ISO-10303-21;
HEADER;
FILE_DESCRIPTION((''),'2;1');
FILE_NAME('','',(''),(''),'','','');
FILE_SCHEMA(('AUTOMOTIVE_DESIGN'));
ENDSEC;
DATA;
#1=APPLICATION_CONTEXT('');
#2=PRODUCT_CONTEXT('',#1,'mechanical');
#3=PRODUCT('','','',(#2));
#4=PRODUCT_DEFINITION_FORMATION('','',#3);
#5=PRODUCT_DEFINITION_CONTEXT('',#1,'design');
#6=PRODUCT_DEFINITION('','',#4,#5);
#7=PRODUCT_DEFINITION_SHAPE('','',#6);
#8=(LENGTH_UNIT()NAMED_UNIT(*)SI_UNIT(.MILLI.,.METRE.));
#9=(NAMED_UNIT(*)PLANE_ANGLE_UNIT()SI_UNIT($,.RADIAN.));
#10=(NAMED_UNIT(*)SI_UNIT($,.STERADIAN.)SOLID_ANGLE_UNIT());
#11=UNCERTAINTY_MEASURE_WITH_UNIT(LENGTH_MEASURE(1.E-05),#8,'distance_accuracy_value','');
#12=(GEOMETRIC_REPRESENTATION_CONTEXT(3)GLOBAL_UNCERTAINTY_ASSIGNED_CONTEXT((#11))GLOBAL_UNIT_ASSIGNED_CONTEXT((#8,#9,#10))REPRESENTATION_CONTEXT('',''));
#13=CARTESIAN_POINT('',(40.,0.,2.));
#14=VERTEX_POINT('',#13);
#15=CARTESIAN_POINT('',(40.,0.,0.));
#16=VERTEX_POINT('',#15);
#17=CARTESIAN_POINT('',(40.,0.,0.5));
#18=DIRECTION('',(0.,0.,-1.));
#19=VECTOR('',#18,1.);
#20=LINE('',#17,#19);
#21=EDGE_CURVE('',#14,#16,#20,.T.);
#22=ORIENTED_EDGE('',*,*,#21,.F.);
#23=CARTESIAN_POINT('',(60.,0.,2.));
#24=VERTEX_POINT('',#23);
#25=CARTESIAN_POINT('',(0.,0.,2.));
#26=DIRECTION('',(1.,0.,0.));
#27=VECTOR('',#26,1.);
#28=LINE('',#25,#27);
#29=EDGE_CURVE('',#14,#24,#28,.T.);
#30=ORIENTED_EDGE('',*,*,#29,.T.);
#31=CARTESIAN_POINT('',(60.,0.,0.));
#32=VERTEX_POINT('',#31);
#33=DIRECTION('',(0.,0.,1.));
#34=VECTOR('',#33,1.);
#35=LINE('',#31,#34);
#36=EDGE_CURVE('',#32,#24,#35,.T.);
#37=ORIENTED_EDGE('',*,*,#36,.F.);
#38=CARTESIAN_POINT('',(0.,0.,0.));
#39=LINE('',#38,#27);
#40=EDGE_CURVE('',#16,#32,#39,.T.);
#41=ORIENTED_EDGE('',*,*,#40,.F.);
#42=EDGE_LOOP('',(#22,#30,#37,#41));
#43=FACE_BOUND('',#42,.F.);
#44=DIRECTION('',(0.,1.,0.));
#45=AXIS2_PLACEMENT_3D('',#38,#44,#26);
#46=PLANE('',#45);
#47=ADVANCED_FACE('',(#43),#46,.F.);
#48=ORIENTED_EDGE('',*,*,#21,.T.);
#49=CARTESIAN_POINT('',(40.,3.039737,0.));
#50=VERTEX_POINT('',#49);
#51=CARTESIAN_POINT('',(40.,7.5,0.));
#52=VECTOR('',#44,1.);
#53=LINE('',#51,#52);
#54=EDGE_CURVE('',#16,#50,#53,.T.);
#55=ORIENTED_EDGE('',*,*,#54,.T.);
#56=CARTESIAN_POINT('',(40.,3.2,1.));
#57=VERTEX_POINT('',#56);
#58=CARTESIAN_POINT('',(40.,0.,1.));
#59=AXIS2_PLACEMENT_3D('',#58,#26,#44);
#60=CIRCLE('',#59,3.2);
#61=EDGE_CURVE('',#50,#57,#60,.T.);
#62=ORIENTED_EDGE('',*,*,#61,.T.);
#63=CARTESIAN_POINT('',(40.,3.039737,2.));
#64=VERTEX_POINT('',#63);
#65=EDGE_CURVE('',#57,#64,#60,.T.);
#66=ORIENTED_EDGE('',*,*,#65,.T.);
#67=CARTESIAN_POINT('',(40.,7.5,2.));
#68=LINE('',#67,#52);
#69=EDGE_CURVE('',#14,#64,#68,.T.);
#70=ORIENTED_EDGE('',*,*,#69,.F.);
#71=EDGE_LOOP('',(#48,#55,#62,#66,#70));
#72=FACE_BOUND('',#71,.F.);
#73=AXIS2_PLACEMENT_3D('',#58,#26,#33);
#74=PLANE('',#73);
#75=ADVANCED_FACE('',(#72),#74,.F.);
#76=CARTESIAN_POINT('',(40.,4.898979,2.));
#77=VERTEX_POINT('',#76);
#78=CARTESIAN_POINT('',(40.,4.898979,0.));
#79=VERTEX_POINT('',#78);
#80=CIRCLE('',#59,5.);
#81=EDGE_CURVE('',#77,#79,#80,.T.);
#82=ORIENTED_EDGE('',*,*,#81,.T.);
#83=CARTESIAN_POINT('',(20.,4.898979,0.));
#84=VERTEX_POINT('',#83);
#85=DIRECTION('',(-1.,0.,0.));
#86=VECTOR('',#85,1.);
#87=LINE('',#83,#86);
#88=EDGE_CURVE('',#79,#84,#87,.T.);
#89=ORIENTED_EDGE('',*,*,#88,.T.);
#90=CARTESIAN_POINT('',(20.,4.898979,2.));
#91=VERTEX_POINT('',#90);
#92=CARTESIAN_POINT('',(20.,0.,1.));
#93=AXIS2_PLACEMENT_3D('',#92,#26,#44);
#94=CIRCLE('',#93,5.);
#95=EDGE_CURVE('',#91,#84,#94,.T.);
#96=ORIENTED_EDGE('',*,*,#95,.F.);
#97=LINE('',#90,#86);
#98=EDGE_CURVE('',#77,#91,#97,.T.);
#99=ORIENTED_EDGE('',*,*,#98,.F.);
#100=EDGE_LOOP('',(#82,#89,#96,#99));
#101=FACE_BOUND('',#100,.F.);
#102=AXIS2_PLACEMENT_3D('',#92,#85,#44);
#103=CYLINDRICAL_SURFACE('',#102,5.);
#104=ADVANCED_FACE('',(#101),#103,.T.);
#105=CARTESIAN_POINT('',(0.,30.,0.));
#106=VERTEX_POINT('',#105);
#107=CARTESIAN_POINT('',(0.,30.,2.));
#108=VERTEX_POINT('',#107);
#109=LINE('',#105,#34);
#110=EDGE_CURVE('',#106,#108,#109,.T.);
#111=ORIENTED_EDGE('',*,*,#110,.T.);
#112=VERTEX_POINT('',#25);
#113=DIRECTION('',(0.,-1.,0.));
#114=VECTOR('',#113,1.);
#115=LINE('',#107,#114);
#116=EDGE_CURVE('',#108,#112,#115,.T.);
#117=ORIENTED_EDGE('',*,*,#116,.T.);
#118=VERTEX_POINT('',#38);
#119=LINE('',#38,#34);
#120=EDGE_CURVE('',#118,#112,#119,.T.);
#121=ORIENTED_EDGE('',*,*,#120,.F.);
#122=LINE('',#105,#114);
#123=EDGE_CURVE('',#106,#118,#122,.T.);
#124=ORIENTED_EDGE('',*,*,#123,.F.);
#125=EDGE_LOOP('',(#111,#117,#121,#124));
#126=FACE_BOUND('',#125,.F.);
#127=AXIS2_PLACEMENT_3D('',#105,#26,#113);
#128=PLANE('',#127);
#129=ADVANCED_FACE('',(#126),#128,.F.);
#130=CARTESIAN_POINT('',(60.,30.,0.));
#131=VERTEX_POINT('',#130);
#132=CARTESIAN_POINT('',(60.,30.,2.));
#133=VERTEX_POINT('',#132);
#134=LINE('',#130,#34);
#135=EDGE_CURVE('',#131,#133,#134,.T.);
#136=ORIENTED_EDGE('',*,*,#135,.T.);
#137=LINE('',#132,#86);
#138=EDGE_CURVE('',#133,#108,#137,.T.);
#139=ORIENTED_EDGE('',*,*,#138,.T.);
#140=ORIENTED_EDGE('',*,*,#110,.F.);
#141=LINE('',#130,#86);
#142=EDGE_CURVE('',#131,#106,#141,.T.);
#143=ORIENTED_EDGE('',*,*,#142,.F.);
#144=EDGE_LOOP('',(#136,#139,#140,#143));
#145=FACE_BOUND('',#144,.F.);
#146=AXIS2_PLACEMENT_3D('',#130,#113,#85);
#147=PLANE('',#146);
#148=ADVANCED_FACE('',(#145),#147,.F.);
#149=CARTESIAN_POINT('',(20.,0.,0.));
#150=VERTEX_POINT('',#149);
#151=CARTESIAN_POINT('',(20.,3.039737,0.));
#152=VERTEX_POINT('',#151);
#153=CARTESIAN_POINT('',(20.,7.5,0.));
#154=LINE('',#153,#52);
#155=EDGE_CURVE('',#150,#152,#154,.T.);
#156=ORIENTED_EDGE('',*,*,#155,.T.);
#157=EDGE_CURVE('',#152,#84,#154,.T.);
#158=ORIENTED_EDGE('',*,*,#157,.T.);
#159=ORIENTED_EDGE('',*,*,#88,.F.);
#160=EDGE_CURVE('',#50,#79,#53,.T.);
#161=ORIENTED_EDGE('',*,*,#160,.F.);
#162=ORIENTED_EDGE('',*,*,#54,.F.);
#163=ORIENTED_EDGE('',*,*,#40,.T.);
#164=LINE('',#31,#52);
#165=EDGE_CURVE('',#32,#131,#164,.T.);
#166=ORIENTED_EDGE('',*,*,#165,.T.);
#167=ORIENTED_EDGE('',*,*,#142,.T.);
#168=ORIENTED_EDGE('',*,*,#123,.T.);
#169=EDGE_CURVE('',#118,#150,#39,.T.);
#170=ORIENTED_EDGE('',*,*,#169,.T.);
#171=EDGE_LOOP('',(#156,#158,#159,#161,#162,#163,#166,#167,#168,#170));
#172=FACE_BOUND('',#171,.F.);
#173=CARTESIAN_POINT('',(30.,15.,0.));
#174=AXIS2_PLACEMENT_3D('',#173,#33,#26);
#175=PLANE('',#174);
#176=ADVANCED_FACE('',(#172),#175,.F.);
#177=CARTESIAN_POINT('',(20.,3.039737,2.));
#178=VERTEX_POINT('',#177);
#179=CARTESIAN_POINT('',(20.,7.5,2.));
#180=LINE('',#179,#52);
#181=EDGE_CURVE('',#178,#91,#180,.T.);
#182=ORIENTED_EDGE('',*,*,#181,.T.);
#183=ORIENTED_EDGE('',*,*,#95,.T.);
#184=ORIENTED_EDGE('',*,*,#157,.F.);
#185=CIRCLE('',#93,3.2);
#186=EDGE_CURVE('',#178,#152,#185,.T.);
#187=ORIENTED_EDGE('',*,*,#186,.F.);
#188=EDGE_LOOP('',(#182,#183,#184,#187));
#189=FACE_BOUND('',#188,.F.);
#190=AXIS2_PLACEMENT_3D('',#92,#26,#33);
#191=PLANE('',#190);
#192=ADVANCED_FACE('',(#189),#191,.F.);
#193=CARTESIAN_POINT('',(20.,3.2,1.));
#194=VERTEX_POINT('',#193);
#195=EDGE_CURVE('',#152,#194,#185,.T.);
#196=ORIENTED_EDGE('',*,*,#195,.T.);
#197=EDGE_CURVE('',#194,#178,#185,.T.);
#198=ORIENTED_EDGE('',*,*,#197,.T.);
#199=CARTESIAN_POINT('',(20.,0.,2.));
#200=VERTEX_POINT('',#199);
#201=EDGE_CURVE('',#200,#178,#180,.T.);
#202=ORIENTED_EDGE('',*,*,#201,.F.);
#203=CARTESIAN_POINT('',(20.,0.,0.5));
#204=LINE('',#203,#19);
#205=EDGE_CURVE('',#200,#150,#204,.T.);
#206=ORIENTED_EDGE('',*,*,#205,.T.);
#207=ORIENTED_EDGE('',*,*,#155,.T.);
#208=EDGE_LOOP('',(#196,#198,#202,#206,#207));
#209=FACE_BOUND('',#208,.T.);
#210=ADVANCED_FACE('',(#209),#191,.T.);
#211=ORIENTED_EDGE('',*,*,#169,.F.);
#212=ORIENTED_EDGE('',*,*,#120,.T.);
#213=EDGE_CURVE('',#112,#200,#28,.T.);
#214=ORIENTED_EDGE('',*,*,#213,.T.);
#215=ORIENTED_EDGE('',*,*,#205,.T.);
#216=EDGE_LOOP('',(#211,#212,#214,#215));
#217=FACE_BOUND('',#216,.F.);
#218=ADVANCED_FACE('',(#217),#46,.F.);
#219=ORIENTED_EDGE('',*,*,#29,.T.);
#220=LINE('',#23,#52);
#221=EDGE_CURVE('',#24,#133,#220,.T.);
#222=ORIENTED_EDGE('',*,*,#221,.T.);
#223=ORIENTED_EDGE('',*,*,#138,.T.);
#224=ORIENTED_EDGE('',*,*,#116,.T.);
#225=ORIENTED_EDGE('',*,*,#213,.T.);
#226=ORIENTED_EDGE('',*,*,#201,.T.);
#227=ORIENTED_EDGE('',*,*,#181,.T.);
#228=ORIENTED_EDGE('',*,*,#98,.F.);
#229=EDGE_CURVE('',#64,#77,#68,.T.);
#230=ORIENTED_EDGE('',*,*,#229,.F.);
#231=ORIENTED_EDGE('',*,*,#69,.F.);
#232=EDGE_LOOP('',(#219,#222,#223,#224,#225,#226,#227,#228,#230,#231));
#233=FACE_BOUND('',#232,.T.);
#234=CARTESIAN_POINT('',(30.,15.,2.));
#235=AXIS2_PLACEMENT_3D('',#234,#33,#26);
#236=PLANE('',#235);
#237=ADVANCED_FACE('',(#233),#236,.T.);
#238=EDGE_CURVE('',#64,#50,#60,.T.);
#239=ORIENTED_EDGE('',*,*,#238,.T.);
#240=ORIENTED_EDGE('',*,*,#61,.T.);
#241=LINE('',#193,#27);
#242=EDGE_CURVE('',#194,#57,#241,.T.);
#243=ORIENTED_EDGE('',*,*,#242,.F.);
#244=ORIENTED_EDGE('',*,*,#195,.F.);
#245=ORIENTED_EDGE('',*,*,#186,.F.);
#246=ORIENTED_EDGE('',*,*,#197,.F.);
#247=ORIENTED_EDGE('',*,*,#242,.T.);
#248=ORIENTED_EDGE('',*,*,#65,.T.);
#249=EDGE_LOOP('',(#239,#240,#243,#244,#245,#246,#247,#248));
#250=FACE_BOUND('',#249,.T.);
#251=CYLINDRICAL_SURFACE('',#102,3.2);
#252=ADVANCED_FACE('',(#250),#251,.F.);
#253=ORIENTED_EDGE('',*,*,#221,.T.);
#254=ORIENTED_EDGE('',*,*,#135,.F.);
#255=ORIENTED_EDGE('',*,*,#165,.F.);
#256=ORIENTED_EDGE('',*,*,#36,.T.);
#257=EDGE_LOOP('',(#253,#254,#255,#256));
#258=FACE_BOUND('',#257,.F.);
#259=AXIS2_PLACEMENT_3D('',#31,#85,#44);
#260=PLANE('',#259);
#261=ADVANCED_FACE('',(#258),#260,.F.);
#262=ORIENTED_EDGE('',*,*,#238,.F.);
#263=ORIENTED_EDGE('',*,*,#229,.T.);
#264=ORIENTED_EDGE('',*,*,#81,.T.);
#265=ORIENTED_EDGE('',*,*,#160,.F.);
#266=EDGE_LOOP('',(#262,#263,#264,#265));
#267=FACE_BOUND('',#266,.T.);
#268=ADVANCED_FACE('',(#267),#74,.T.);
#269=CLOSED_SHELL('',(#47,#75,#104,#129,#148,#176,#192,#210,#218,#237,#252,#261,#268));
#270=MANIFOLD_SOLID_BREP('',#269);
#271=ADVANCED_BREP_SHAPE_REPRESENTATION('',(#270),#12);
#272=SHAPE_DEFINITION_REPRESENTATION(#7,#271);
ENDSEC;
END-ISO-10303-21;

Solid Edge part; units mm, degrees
sketch "Sketch1" plane through (0, 0, 0) normal (0, 0, 1) x (1, 0, 0)
  line L0 (0, 0) -> (60, 0)
  line L1 (60, 0) -> (60, 30)
  line L2 (60, 30) -> (0, 30)
  line L3 (0, 30) -> (0, 0)
extrude "Protrusion1" add sketch "Sketch1" along normal blind 2
sketch "Sketch2" plane through (20, 0, 0) normal (1, 0, 0) x (0, 1, 0)
  circle A0 centre (0, 1) radius 5
extrude "拉伸_2" add sketch "Sketch2" along normal blind 20
sketch "Sketch3" plane through (20, 0, 0) normal (1, 0, 0) x (0, 1, 0)
  circle A0 centre (0, 1) radius 3.2
extrude "拉伸除料_1" cut sketch "Sketch3" along normal blind 20
